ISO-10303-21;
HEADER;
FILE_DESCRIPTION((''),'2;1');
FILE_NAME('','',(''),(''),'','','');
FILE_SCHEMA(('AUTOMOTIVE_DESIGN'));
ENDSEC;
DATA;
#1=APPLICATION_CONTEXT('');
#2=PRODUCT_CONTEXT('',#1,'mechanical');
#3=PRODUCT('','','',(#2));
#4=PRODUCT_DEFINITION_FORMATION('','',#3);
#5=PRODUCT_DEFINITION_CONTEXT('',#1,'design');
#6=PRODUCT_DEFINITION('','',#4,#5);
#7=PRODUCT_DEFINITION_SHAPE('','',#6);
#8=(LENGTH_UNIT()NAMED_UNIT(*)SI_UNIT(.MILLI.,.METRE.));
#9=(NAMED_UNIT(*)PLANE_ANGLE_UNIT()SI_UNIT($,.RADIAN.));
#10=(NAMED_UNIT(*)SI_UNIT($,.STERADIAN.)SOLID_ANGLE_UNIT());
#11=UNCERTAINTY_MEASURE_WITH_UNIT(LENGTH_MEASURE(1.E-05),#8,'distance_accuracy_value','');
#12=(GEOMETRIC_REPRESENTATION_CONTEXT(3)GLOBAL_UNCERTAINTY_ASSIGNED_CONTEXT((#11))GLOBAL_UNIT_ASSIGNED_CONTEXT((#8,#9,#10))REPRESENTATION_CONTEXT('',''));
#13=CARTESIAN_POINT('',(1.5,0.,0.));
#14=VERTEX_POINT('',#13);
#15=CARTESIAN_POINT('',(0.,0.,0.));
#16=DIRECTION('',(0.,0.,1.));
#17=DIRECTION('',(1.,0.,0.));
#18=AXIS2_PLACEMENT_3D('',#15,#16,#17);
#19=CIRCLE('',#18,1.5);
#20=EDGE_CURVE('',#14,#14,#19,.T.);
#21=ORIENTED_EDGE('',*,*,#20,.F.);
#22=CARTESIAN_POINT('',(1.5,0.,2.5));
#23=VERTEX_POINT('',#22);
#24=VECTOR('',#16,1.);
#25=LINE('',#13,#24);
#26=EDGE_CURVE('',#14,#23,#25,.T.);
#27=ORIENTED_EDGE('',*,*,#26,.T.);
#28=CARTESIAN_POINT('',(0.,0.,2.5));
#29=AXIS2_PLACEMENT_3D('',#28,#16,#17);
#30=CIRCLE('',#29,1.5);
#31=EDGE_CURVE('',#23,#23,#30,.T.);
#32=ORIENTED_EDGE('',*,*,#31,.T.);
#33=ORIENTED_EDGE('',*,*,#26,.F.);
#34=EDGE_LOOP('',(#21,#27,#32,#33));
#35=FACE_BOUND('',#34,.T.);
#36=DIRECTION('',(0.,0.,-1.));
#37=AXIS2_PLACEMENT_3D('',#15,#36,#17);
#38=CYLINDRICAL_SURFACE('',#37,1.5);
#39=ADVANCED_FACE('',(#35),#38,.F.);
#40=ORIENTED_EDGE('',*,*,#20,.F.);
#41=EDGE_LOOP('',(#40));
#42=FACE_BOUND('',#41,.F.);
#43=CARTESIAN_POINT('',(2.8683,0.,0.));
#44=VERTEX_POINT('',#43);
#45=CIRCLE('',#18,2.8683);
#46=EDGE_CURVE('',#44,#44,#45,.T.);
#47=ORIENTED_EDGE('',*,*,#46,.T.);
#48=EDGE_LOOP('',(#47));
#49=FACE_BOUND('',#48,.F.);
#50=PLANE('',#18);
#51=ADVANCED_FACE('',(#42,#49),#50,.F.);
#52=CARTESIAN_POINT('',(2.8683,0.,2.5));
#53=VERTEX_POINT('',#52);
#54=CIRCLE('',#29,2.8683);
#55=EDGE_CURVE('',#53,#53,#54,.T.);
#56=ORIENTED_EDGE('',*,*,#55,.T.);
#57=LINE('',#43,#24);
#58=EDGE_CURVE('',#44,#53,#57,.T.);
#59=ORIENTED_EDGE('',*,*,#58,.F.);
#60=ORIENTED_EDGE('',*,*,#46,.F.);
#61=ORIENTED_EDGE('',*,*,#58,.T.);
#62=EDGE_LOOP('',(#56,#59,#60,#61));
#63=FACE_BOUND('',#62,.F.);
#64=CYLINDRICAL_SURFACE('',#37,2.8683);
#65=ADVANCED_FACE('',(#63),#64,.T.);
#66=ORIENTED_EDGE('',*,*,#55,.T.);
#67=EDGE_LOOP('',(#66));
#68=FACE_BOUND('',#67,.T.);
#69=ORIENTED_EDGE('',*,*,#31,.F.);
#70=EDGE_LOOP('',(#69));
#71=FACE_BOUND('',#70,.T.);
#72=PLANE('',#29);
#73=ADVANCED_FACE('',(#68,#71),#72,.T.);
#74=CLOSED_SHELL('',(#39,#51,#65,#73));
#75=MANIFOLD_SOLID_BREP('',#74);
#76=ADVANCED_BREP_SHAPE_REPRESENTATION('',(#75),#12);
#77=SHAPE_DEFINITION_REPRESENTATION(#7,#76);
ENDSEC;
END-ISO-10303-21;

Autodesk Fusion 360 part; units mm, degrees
sketch "Sketch1" plane through (0, 0, 0) normal (0, 0, 1) x (1, 0, 0)
  circle A0 centre (0, 0) radius 2.8683
  circle A1 centre (0, 0) radius 1.5
extrude "Extrude1" add sketch "Sketch1" along normal blind 2.5
